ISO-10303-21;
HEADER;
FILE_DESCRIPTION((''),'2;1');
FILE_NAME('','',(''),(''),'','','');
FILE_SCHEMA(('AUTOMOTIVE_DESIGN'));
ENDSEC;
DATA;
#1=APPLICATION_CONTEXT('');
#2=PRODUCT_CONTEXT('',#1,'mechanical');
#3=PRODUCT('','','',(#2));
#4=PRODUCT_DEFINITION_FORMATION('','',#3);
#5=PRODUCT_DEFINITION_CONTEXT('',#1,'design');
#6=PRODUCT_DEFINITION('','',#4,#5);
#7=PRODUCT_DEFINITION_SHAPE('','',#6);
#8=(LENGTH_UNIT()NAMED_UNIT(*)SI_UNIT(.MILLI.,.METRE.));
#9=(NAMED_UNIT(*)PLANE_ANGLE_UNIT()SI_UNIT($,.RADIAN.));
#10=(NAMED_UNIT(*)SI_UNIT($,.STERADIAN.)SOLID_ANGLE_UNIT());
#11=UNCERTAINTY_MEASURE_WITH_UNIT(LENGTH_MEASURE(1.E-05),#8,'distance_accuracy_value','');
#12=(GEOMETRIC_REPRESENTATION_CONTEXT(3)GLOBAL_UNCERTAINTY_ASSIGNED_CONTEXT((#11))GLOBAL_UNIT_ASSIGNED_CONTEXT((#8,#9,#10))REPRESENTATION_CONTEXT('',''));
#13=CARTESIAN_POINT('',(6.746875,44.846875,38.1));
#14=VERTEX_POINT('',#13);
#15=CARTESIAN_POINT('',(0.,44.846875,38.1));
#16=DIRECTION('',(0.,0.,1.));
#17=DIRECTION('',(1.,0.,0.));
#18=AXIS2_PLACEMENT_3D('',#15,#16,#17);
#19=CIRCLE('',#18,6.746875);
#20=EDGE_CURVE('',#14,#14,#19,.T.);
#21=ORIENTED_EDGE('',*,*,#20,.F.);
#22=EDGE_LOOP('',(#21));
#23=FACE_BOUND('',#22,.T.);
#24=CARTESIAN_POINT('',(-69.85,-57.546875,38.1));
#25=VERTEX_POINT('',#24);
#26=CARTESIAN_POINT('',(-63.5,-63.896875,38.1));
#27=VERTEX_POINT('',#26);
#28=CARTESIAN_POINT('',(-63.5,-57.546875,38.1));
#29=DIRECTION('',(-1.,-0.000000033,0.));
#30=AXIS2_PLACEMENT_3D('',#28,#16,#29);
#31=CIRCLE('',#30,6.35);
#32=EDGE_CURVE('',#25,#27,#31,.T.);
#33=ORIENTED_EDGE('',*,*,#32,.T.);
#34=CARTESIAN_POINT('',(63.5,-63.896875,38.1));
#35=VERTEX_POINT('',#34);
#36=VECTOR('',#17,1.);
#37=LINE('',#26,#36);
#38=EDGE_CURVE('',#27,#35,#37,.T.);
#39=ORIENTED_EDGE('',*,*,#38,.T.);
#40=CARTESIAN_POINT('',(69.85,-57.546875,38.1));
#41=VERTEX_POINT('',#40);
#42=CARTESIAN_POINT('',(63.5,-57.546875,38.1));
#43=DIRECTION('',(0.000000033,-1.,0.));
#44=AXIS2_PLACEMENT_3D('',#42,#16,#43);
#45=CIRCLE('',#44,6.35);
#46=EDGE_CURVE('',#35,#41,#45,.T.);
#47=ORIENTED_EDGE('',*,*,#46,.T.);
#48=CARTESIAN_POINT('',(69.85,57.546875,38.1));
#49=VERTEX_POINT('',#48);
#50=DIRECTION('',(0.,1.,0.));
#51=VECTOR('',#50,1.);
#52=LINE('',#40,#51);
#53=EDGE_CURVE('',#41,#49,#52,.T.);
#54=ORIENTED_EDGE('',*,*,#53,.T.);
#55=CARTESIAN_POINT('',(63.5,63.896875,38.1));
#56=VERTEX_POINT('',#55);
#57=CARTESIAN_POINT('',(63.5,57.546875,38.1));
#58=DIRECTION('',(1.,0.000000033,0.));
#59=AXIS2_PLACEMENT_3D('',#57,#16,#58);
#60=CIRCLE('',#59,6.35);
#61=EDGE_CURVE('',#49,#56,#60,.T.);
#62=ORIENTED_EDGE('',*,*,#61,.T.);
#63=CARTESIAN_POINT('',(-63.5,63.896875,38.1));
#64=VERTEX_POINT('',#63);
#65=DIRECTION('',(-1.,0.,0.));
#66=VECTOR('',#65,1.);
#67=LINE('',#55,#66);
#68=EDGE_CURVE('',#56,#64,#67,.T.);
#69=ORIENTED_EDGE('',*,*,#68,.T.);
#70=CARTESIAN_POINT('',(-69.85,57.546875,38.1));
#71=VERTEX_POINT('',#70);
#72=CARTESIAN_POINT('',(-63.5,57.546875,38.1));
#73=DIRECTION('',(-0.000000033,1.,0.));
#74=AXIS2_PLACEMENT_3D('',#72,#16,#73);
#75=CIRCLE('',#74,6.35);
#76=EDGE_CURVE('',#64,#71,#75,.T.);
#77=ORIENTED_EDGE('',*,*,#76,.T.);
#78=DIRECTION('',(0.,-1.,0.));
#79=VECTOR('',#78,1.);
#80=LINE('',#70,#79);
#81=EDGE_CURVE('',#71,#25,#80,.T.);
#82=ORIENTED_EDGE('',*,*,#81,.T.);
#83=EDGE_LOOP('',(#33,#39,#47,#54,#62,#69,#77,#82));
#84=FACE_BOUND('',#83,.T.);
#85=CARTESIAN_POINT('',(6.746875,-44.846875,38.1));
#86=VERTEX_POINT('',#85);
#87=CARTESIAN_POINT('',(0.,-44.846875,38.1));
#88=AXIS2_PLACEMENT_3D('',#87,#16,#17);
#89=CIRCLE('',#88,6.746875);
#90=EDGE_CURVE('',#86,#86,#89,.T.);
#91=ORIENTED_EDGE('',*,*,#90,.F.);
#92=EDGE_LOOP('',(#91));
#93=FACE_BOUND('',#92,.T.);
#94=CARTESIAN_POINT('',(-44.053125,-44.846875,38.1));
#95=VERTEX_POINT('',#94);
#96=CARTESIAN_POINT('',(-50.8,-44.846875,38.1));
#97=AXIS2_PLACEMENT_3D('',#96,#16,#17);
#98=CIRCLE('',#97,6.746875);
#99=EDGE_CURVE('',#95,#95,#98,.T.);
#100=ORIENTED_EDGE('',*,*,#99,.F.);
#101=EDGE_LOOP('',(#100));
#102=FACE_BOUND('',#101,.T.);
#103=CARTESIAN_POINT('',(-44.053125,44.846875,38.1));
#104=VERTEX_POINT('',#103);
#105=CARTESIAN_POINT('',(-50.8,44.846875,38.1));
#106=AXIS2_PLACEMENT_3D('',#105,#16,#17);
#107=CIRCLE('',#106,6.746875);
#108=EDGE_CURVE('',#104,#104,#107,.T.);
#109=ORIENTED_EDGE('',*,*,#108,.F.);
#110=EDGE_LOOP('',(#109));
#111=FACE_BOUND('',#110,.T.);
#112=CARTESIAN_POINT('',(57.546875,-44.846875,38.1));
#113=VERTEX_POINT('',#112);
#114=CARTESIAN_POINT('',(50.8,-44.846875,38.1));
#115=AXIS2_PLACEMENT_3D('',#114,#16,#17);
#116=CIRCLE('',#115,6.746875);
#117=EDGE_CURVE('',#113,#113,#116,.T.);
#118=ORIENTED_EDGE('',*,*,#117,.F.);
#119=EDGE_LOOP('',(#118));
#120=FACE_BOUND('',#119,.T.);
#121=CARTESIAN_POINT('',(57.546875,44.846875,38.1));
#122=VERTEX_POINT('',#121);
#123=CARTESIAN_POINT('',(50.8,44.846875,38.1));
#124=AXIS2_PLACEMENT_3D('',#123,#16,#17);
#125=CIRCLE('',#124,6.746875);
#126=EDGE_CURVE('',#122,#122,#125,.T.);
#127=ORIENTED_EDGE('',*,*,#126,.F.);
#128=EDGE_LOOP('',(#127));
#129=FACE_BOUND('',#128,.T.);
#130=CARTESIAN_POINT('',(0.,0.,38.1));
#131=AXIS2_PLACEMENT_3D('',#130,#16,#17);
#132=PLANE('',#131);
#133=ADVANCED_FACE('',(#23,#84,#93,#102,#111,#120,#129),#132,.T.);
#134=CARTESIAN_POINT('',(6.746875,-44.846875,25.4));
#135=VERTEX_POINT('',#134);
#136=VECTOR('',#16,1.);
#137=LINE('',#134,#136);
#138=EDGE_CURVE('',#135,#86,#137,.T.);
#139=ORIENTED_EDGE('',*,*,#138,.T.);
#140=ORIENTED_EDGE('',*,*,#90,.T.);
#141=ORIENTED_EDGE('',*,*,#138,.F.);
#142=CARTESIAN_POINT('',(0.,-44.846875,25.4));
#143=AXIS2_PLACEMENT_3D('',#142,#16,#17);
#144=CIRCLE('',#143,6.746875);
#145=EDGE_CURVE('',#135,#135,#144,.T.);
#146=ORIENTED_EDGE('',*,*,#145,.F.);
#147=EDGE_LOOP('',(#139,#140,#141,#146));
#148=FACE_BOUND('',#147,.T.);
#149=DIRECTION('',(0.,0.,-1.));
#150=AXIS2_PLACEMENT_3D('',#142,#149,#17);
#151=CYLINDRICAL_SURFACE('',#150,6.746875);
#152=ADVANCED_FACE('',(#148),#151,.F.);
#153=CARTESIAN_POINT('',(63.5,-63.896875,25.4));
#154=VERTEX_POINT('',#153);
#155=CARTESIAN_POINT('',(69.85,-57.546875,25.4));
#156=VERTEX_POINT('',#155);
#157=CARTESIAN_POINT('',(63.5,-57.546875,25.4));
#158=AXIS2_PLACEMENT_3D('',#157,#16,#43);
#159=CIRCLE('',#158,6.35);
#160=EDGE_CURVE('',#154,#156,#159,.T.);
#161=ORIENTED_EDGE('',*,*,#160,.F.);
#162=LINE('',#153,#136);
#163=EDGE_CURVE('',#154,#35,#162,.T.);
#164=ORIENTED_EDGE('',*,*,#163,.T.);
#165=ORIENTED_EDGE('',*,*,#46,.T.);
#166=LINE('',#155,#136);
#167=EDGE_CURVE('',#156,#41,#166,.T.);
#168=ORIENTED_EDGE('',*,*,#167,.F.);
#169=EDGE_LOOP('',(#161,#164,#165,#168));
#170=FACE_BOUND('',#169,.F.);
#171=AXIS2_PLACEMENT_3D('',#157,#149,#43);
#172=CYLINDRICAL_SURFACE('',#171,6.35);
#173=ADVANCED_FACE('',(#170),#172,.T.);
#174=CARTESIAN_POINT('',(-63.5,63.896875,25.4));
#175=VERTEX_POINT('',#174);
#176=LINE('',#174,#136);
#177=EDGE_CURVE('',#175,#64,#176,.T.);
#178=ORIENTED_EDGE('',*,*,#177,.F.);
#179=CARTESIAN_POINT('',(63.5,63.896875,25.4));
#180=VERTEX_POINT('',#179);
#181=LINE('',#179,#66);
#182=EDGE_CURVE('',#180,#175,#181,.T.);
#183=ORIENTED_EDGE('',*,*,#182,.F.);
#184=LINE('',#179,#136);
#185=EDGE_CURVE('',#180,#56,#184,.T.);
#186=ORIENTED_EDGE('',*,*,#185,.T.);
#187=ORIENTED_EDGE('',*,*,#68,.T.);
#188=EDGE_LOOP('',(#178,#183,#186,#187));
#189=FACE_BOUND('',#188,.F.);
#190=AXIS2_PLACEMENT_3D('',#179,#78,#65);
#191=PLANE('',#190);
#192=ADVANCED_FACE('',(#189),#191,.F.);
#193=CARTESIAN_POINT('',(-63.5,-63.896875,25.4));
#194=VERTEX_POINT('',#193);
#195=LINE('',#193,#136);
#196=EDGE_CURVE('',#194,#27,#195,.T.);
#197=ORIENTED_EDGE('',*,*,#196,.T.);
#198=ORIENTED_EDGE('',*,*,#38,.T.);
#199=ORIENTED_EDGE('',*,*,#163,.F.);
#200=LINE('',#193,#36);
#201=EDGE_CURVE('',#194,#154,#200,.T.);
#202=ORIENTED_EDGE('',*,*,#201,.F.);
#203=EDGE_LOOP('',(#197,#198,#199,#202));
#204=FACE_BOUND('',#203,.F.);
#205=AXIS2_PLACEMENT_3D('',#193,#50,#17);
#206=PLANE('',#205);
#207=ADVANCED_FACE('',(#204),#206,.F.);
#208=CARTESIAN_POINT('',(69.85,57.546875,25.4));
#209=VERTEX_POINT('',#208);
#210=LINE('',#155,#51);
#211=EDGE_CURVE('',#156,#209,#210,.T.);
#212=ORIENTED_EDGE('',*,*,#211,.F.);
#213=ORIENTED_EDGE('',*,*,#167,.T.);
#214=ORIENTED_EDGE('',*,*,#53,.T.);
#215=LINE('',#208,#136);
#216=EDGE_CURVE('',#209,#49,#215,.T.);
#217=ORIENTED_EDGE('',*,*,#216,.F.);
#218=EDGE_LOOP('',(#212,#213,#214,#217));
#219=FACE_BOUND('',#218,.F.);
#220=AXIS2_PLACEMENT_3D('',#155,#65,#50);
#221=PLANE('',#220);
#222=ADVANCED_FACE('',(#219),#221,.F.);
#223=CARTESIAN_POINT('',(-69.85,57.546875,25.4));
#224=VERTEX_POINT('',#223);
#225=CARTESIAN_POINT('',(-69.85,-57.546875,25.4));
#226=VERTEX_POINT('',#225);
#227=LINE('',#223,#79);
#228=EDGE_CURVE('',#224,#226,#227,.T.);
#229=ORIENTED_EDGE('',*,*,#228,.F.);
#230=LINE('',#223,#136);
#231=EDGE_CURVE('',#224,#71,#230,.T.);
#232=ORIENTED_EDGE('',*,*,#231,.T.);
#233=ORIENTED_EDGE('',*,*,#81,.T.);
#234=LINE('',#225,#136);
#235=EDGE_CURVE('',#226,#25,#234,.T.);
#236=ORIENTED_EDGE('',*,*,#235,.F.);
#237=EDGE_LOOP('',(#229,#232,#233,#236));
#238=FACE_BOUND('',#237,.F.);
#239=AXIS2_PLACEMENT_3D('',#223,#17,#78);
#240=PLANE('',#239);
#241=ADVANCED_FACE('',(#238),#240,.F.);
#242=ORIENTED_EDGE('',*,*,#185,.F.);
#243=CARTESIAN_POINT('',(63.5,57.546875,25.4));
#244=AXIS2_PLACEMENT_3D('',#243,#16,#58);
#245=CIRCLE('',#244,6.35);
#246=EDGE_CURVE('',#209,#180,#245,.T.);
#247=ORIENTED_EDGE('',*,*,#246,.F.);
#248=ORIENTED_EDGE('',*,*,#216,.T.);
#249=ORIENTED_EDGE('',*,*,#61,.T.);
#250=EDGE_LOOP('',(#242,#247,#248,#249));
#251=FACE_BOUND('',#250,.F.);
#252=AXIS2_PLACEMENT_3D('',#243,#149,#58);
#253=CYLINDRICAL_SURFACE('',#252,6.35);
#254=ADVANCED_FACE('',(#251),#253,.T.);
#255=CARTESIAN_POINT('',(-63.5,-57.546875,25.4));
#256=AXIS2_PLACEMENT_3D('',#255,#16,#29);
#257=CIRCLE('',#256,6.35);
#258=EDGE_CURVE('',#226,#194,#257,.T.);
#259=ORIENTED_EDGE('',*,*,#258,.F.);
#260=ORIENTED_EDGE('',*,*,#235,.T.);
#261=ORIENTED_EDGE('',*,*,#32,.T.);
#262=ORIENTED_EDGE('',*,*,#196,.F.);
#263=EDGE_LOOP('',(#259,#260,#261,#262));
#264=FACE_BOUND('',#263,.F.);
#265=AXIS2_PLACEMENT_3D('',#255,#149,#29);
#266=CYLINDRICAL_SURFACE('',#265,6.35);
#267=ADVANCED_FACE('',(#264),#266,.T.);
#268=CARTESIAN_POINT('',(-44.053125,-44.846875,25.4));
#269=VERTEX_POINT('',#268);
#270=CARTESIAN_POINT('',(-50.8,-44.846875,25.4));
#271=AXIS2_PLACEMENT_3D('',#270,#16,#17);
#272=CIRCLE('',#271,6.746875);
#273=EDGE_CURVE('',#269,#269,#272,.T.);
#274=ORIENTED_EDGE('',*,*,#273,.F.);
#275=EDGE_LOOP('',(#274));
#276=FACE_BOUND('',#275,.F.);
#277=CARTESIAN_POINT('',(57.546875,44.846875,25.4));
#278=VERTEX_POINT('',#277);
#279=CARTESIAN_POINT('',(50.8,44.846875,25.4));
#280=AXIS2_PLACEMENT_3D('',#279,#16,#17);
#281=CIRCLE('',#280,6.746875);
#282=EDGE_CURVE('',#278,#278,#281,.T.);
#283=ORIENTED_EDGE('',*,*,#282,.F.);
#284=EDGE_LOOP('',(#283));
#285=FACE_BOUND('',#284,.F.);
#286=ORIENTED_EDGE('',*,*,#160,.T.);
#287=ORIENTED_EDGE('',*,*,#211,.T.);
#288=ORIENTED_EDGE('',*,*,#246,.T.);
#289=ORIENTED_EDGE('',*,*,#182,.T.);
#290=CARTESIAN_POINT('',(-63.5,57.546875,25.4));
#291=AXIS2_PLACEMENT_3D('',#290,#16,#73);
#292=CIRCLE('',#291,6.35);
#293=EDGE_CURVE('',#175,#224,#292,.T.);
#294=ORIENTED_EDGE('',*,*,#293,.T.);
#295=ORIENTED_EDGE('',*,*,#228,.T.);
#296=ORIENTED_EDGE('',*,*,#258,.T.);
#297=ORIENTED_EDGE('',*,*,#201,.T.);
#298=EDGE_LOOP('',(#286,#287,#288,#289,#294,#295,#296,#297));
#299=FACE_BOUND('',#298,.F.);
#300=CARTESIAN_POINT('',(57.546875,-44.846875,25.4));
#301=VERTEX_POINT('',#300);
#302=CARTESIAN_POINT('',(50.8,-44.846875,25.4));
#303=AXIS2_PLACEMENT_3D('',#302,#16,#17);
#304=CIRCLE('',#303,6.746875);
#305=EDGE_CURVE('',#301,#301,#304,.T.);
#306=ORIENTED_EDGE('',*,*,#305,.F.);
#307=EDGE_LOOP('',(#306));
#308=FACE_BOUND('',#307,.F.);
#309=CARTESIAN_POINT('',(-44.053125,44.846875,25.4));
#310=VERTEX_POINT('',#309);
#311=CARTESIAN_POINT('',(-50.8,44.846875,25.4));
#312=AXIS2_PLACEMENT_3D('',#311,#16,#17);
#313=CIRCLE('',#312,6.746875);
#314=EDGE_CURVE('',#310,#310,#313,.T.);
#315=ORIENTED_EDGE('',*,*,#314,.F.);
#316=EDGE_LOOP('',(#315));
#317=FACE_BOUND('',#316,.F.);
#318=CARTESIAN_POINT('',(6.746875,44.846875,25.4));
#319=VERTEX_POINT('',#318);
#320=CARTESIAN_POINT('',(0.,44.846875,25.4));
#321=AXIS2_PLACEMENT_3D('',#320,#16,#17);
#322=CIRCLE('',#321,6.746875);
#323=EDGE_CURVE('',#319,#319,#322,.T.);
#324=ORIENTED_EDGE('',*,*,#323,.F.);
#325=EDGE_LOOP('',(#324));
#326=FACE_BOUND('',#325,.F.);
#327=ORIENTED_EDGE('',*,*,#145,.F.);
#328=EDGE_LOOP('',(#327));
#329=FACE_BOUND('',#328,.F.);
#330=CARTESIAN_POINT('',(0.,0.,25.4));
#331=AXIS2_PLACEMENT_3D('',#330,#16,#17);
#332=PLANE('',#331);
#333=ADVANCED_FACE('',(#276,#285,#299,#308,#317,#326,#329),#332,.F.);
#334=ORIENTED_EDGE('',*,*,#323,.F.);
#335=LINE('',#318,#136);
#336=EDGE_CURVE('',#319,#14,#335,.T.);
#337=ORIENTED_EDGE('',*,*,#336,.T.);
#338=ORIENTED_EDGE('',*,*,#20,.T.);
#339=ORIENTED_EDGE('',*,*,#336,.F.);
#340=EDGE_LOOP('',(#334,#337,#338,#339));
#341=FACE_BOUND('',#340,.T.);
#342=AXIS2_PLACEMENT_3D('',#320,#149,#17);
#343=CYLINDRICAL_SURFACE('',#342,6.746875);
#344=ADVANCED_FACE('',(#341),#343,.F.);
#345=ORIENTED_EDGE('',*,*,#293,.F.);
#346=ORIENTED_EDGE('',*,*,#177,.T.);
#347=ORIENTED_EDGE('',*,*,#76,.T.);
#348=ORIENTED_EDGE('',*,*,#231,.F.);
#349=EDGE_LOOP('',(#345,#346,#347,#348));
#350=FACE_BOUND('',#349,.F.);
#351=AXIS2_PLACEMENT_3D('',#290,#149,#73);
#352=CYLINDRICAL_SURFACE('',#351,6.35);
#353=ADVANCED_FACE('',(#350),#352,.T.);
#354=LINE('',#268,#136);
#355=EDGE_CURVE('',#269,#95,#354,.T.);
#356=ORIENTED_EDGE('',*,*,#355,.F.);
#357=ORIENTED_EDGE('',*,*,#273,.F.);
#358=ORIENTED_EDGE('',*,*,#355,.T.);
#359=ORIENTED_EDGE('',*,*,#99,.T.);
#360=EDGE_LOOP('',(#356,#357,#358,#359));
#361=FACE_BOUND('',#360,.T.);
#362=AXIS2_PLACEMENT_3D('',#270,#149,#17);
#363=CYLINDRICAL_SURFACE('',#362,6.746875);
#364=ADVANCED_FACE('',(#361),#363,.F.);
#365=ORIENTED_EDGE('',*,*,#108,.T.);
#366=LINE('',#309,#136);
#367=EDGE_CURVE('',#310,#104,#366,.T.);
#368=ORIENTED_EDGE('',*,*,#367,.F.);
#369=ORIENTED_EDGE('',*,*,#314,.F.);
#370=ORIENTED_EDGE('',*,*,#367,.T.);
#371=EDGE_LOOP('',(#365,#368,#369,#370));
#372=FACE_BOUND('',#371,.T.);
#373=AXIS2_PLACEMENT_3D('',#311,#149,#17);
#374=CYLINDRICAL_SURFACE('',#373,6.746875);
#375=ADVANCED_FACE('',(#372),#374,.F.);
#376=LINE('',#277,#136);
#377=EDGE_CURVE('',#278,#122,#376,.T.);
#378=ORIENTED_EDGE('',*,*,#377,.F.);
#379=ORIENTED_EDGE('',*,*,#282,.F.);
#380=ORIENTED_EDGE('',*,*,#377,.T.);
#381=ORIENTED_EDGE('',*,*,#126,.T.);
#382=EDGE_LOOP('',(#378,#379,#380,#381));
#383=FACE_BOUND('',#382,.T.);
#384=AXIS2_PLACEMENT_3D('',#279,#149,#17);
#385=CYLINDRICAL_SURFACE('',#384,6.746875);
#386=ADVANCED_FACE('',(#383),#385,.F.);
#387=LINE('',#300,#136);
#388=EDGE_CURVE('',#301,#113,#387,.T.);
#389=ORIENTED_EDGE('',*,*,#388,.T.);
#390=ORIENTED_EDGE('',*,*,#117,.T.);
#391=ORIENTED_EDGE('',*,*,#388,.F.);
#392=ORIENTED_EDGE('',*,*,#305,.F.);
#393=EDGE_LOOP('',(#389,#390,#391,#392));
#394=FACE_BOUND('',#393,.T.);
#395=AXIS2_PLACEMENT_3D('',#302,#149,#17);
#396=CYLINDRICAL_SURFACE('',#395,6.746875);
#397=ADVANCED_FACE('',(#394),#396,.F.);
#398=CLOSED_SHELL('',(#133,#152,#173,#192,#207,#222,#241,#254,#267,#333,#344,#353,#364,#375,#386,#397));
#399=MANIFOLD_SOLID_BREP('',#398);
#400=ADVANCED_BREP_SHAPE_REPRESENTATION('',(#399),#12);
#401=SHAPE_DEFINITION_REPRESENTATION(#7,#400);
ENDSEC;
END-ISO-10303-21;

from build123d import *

# Parameters (mm, degrees)
F1_R     = 6.746875
F2_DEPTH = 12.7


with BuildPart() as f2:
    # F1 (on offset) → F2 (new body)
    with BuildSketch(Plane.XY.offset(25.4)):
        with BuildLine():
            Line((63.5, 63.896875), (-63.5, 63.896875))
            ThreePointArc((-63.5, 63.896875), (-67.990128, 62.037003), (-69.85, 57.546875))
            Line((-69.85, 57.546875), (-69.85, -57.546875))
            ThreePointArc((-69.85, -57.546875), (-67.990128, -62.037003), (-63.5, -63.896875))
            Line((-63.5, -63.896875), (63.5, -63.896875))
            ThreePointArc((63.5, -63.896875), (67.990128, -62.037003), (69.85, -57.546875))
            Line((69.85, -57.546875), (69.85, 57.546875))
            ThreePointArc((69.85, 57.546875), (67.990128, 62.037003), (63.5, 63.896875))
        make_face()
        with Locations((-50.8, -44.846875)):
            Circle(F1_R, mode=Mode.SUBTRACT)
        with Locations((0, -44.846875)):
            Circle(F1_R, mode=Mode.SUBTRACT)
        with Locations((50.8, -44.846875)):
            Circle(F1_R, mode=Mode.SUBTRACT)
        with Locations((-50.8, 44.846875)):
            Circle(F1_R, mode=Mode.SUBTRACT)
        with Locations((0, 44.846875)):
            Circle(F1_R, mode=Mode.SUBTRACT)
        with Locations((50.8, 44.846875)):
            Circle(F1_R, mode=Mode.SUBTRACT)
    extrude(amount=F2_DEPTH)


solid = f2.part
